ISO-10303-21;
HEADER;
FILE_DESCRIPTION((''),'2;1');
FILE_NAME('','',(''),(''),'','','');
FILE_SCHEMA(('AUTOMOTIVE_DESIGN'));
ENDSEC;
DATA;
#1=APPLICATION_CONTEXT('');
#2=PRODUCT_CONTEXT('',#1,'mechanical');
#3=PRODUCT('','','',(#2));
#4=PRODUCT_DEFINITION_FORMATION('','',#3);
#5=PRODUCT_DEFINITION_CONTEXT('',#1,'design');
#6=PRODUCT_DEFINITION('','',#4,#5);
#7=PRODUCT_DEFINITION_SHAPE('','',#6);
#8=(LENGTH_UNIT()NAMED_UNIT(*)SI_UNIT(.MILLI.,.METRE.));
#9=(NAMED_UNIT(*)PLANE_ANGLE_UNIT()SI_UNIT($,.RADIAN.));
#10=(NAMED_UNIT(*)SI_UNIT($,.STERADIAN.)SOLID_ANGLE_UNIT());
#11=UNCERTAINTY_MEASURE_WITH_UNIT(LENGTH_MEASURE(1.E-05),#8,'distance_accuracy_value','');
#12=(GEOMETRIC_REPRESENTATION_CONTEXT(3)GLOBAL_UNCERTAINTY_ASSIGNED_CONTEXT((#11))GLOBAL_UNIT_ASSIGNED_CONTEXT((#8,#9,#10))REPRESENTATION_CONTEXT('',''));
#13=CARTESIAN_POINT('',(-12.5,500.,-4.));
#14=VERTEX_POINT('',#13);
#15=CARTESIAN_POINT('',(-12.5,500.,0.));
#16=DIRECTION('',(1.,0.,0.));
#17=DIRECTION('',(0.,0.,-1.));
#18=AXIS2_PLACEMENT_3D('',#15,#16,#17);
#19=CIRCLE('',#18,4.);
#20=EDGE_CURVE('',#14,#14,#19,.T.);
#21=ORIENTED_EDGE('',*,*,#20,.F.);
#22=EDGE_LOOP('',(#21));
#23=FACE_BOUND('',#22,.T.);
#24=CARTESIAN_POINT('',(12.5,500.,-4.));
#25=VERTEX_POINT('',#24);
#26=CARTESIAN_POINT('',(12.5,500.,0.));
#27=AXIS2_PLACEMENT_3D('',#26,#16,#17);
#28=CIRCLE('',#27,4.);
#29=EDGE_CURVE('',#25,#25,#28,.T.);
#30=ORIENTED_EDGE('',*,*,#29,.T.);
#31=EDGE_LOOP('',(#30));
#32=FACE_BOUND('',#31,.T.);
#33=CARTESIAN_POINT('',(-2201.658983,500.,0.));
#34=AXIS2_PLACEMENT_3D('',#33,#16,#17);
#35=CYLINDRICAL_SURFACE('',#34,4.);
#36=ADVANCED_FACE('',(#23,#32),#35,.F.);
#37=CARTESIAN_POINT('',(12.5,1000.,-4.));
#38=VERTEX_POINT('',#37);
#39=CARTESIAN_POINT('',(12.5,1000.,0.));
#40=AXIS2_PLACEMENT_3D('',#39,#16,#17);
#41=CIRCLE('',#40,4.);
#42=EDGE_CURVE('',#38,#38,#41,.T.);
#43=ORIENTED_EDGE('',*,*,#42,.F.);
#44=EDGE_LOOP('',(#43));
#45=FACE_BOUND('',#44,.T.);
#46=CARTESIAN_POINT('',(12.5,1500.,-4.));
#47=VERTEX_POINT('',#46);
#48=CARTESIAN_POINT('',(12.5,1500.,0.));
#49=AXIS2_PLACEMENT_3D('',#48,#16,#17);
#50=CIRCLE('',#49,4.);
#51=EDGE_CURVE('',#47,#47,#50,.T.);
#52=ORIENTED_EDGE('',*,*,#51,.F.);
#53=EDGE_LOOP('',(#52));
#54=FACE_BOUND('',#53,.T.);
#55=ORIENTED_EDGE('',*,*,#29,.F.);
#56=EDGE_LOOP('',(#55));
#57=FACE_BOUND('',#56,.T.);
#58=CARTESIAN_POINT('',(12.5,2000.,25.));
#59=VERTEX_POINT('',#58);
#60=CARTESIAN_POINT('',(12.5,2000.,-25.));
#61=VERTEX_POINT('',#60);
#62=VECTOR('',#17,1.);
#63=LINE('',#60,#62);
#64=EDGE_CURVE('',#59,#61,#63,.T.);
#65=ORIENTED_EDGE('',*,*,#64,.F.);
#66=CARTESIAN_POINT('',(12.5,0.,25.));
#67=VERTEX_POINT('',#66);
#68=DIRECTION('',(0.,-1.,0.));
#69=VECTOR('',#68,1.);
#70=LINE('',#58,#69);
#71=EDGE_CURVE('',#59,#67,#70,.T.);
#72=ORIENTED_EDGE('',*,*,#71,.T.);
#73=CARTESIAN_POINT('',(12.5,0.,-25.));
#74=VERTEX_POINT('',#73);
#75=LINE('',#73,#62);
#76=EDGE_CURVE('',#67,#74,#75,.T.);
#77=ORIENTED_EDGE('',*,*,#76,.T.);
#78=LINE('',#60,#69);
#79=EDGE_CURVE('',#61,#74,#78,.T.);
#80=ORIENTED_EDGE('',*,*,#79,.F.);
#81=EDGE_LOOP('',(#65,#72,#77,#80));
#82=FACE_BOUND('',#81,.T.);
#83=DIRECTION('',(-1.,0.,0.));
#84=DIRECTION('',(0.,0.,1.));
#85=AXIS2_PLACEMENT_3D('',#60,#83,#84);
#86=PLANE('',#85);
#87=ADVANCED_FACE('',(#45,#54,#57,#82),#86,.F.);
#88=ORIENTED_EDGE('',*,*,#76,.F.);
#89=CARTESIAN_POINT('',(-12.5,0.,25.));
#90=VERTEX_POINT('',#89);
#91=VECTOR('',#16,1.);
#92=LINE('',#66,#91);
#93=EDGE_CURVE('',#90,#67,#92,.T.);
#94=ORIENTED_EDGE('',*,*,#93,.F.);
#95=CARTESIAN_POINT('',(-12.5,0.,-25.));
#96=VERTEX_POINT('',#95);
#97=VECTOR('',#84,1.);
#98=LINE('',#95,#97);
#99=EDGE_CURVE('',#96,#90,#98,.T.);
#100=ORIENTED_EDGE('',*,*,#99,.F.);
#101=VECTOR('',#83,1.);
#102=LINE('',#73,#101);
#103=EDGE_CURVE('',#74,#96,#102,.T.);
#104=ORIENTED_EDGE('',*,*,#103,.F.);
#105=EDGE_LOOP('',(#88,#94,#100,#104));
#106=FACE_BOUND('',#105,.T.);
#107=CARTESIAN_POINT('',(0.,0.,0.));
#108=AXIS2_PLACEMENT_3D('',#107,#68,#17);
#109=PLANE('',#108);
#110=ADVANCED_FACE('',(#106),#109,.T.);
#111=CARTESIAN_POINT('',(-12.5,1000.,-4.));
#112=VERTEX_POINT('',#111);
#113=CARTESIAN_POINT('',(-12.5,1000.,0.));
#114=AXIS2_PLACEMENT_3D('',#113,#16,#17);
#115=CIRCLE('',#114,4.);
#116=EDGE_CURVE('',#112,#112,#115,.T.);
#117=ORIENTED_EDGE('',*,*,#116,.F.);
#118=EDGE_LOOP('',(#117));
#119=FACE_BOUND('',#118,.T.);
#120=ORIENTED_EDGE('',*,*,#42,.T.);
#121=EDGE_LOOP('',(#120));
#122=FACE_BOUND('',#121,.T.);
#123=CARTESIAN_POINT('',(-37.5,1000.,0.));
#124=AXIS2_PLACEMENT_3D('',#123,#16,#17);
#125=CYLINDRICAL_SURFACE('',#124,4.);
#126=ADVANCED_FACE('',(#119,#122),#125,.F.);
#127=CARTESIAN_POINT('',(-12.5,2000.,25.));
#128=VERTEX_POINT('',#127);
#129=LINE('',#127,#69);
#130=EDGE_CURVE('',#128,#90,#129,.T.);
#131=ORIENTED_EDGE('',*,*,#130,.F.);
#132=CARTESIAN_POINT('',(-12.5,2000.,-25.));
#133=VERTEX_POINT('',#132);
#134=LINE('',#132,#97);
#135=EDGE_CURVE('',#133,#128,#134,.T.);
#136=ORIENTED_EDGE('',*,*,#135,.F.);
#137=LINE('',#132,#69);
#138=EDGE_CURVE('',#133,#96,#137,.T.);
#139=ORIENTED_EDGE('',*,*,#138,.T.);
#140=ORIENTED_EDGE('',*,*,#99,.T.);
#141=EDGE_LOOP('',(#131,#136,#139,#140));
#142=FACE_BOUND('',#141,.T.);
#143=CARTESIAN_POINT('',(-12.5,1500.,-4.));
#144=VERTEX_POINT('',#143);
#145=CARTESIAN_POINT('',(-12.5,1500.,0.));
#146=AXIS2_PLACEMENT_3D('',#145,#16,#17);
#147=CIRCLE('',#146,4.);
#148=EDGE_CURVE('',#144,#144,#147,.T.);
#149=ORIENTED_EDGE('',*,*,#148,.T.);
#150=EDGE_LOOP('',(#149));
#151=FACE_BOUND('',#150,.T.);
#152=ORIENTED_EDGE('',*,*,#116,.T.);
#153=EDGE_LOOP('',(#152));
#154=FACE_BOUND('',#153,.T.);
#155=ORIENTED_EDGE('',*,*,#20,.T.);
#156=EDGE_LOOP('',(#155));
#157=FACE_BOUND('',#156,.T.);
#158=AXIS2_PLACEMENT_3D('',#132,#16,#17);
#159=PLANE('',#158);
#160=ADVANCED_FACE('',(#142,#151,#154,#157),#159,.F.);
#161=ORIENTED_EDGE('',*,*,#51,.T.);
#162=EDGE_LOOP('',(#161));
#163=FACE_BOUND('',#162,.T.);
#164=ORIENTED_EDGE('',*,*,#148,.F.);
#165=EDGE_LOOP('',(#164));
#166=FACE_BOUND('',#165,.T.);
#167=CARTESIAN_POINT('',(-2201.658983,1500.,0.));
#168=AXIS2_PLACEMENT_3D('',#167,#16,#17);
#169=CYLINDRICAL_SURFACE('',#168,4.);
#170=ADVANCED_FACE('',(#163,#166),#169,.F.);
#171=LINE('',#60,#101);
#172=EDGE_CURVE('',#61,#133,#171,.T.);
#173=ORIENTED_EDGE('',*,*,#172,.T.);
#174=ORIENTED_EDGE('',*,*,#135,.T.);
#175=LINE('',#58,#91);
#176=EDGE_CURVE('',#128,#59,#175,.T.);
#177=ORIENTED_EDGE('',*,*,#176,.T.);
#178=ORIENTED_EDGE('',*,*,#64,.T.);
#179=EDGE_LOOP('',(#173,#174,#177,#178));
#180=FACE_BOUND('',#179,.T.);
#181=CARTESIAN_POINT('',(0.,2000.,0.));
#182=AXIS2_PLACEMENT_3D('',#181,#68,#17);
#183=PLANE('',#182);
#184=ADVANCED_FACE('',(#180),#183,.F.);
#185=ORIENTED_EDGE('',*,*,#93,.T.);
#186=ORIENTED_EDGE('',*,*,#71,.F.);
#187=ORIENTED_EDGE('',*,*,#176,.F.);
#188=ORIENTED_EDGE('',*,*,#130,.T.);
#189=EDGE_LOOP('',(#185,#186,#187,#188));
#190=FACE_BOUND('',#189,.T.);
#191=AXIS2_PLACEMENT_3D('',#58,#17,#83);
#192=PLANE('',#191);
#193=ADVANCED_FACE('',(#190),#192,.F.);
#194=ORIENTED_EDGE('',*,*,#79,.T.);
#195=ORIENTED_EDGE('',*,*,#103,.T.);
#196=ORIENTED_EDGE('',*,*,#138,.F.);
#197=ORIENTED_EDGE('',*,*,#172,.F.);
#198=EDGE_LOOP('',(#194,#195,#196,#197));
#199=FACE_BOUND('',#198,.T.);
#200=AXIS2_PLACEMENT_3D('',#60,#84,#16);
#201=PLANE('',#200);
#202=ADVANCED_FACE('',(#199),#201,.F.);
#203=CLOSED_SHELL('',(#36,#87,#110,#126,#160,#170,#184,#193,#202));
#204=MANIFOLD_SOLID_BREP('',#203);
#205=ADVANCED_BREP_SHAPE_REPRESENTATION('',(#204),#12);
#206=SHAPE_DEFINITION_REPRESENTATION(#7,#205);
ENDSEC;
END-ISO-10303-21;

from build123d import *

# Parameters (mm, degrees)
SKETCH_1_W          = 25
SKETCH_1_H          = 50
EXTRUDE_1_DEPTH     = 2000
SKETCH_2_R          = 4
CUT_EXTRUDE_1_DEPTH = 2214.15898255
SKETCH_3_R          = 4
CUT_EXTRUDE_2_DEPTH = 50


with BuildPart() as part:
    # Эскиз1 → Бобышка-Вытянуть1 (new body)
    with BuildSketch(Plane(origin=(0, 0, 0), x_dir=(1, 0, 0), z_dir=(0, 1, 0))):
        Rectangle(SKETCH_1_W, SKETCH_1_H)
    extrude(amount=EXTRUDE_1_DEPTH)

    # Эскиз2 → Вырез-Вытянуть1 (cut)
    with BuildSketch(Plane(origin=(12.5, 0, 0), x_dir=(0, 0, -1), z_dir=(1, 0, 0))):
        with Locations((0, 1500)):
            Circle(SKETCH_2_R)
        with Locations((0, 500)):
            Circle(SKETCH_2_R)
    extrude(amount=-CUT_EXTRUDE_1_DEPTH, mode=Mode.SUBTRACT)

    # Эскиз3 → Вырез-Вытянуть2 (cut)
    with BuildSketch(Plane(origin=(12.5, 0, 0), x_dir=(0, 0, -1), z_dir=(1, 0, 0))):
        with Locations((0, 1000)):
            Circle(SKETCH_3_R)
    extrude(amount=-CUT_EXTRUDE_2_DEPTH, mode=Mode.SUBTRACT)


solid = part.part
